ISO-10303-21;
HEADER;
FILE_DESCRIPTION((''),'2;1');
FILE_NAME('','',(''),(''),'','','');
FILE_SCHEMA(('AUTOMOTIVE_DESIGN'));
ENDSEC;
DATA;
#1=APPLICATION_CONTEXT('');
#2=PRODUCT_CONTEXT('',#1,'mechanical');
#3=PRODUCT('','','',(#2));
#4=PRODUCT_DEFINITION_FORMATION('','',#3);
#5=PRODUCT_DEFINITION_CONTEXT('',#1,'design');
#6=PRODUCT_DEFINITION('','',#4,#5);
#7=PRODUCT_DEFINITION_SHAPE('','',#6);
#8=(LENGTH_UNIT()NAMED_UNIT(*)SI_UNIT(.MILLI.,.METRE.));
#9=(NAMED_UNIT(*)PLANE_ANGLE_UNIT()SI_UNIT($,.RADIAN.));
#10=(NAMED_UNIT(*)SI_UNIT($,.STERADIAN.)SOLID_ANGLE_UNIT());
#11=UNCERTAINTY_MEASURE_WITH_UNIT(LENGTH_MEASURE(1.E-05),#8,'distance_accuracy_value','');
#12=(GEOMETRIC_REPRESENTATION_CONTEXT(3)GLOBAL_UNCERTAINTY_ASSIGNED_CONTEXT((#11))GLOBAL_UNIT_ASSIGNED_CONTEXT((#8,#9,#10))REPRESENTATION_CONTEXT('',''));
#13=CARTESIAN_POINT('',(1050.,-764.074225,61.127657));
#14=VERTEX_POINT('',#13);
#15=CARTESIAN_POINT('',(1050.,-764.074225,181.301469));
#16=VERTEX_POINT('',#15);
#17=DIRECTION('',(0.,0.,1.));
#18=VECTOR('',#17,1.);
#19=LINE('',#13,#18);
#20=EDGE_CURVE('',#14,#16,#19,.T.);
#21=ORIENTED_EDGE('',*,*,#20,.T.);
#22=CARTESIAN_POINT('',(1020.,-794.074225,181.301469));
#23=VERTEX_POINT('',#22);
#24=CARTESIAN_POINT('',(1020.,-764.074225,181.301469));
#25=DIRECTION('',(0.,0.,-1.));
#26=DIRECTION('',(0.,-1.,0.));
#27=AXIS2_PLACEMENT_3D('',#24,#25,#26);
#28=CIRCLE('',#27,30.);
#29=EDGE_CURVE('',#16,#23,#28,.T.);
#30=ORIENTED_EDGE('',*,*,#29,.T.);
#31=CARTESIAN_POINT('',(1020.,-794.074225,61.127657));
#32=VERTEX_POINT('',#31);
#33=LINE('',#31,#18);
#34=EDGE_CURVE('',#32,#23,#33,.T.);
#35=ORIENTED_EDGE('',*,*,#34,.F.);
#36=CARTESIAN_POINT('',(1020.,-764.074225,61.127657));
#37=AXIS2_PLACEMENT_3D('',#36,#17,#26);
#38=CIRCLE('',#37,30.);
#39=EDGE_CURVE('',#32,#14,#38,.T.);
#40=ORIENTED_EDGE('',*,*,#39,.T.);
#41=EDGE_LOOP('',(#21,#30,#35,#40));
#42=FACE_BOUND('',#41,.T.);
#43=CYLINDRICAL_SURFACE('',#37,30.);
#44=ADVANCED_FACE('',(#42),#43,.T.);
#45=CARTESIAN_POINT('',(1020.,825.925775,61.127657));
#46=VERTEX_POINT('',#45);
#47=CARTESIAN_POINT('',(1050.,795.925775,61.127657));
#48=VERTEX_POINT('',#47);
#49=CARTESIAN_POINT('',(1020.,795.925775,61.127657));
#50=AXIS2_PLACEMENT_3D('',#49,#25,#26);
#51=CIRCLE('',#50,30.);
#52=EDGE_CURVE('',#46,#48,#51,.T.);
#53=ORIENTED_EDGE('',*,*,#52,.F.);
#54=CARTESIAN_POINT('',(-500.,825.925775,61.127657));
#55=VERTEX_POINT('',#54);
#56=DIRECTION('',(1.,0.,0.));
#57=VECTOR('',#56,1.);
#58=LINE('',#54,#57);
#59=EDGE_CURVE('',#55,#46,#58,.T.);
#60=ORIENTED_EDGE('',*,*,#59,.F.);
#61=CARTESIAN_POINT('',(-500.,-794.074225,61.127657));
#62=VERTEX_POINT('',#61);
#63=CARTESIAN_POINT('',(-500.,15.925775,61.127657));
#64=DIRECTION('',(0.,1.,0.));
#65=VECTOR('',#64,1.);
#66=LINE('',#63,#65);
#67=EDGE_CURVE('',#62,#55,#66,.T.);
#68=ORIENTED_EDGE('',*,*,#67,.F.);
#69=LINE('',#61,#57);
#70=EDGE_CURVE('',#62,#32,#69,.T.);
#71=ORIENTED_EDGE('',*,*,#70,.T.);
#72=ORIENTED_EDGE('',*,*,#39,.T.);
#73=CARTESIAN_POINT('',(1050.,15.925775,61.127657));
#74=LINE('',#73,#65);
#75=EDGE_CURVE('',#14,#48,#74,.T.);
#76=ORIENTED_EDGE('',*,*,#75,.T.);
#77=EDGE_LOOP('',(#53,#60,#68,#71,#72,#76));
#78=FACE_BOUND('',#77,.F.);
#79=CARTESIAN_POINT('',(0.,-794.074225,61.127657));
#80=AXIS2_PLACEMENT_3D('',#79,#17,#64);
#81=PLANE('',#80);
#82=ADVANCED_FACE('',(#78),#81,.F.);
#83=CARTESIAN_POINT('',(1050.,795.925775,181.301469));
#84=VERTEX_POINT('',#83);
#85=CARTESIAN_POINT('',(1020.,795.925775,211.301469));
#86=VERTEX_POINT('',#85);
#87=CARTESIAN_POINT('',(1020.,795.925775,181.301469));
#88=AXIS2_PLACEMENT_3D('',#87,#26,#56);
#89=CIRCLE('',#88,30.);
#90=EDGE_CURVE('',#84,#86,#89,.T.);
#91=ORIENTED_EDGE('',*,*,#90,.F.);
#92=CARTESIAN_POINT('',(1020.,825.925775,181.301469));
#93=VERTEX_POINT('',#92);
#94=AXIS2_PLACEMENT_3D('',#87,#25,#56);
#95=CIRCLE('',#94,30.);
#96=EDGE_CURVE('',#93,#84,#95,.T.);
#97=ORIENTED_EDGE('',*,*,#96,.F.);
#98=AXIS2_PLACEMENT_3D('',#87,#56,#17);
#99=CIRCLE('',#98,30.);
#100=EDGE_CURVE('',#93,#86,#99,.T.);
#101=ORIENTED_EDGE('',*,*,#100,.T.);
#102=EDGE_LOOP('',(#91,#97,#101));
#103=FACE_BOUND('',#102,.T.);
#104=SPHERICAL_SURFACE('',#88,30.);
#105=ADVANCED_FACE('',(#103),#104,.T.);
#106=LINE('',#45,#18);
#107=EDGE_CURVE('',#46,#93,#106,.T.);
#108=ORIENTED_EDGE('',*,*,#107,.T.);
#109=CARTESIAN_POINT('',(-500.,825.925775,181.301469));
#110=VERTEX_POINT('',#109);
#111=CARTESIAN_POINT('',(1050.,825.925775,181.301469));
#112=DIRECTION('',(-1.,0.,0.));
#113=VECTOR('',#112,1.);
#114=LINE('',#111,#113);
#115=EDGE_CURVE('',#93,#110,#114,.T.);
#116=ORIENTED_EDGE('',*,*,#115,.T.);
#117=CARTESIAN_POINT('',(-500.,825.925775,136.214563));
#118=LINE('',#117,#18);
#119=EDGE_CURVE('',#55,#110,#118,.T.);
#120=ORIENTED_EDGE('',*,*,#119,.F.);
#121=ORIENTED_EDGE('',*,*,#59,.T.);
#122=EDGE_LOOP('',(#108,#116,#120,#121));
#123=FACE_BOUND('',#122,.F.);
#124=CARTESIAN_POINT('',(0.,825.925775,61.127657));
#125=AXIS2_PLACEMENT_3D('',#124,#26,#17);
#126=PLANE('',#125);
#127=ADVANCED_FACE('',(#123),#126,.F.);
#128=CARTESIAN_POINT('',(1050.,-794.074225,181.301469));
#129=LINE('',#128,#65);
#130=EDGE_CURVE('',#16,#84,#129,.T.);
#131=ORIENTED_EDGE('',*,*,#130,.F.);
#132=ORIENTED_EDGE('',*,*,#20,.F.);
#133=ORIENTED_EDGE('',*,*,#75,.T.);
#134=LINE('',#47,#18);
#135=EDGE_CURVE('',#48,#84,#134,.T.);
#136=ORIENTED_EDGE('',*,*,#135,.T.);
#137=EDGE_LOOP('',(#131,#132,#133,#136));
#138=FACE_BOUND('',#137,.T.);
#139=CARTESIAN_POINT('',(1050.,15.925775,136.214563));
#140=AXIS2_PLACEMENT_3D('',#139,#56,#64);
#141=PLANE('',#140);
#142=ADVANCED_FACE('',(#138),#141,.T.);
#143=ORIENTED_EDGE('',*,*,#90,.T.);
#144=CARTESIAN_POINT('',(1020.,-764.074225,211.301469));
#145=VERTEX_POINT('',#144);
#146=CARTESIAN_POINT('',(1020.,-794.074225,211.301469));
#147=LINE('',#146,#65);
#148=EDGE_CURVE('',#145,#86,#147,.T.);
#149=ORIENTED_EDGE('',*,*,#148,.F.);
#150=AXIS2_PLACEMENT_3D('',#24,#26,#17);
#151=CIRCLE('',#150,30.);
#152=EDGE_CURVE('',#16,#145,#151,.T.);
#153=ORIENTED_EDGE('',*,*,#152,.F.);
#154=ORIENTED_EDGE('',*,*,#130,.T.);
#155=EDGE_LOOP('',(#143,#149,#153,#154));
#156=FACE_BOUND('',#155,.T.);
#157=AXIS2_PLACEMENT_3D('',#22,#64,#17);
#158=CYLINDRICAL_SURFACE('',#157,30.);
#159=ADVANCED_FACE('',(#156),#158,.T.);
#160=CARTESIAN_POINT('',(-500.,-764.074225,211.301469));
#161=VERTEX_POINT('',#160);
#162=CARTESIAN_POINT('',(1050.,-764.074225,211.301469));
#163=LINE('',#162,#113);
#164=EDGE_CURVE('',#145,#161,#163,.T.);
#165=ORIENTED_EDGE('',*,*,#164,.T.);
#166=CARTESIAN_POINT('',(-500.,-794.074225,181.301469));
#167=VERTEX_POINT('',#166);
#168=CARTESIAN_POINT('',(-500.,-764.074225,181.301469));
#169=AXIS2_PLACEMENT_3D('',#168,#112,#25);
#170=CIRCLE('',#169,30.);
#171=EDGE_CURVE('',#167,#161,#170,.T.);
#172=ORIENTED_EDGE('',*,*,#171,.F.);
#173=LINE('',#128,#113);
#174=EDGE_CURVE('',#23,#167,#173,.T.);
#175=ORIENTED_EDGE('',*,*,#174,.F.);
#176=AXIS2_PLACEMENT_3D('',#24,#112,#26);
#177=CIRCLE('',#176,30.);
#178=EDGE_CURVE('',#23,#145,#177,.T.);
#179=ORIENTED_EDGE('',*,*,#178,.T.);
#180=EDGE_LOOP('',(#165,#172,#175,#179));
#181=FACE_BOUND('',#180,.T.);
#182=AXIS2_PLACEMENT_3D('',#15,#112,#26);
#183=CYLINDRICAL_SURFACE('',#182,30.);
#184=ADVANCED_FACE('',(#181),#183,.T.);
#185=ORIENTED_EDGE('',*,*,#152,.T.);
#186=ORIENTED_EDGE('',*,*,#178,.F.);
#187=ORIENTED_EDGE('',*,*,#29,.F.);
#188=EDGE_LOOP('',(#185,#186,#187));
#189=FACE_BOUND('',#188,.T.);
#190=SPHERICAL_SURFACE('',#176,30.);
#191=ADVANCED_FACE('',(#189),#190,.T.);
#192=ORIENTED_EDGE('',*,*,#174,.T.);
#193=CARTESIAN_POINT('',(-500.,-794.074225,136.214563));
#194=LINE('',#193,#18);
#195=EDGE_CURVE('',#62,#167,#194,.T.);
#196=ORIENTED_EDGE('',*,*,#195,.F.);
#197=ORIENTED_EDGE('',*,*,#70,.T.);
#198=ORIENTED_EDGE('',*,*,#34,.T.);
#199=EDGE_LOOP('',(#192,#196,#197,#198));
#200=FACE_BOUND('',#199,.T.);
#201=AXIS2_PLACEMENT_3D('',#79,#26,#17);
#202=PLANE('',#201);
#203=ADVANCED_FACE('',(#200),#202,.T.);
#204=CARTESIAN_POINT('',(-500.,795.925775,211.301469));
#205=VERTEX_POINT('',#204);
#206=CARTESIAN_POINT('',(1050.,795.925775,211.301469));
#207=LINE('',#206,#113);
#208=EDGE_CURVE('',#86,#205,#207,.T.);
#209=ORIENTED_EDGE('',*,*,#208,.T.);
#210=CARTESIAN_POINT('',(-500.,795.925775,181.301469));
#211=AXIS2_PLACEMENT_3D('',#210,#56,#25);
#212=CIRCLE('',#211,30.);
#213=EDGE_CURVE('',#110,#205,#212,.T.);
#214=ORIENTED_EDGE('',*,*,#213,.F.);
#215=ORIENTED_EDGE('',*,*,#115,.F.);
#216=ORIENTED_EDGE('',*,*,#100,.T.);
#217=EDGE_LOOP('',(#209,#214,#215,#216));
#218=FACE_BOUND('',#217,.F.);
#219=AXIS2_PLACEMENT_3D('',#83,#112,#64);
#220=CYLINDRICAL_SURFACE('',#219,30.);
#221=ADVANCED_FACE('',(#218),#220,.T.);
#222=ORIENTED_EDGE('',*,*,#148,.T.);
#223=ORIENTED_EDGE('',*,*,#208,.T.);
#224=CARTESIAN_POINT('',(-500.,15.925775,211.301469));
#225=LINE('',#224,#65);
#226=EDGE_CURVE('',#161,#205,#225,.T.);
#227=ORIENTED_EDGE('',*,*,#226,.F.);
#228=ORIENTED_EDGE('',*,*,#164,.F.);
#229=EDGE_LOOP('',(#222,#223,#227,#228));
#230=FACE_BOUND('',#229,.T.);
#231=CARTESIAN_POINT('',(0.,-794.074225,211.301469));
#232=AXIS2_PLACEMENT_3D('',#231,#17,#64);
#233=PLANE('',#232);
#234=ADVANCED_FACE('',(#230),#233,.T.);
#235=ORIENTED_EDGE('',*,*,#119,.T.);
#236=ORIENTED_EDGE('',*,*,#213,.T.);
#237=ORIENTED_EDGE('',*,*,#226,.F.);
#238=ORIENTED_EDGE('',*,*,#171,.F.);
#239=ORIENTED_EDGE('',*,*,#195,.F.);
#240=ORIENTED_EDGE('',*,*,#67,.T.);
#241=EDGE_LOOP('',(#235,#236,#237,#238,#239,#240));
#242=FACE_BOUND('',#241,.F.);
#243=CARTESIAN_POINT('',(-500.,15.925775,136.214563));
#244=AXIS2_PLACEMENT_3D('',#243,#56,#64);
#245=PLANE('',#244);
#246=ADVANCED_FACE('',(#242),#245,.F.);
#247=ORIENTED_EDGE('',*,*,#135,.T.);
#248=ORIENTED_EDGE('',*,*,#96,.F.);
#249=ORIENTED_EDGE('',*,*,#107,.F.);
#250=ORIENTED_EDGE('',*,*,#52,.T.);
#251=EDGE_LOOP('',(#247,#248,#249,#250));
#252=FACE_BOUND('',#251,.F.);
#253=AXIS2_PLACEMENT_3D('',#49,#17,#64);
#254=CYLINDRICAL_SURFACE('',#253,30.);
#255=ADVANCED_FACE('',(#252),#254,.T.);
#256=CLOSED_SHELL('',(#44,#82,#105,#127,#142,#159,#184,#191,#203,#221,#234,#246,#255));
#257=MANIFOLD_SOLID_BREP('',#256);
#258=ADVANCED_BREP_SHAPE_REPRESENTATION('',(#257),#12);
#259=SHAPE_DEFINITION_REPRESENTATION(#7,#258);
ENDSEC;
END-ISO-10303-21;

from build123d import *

# Parameters (mm, degrees)
F0_W     = 1620
F0_H     = 150.173813
F1_DEPTH = 500
F2_DEPTH = 1050
F3_R     = 30


with BuildPart() as f1:
    # F0 (on Right) → F1 (new body)
    with BuildSketch(Plane.YZ):
        with Locations((15.925775, 136.214563)):
            Rectangle(F0_W, F0_H)
    extrude(amount=-F1_DEPTH)

    # F0 (on Right) → F2 (join)
    with BuildSketch(Plane.YZ):
        with Locations((15.925775, 136.214563)):
            Rectangle(F0_W, F0_H)
    extrude(amount=F2_DEPTH)

    # F3
    f3_edges = [f1.edges().sort_by_distance(p)[0] for p in [
        (275, -794.074225, 211.30147),
        (1050, -794.074225, 136.214564),
        (1050, 15.925775, 211.30147),
        (1050, 825.925775, 136.214564),
        (275, 825.925775, 211.30147),
    ]]
    fillet(f3_edges, radius=F3_R)


solid = f1.part
